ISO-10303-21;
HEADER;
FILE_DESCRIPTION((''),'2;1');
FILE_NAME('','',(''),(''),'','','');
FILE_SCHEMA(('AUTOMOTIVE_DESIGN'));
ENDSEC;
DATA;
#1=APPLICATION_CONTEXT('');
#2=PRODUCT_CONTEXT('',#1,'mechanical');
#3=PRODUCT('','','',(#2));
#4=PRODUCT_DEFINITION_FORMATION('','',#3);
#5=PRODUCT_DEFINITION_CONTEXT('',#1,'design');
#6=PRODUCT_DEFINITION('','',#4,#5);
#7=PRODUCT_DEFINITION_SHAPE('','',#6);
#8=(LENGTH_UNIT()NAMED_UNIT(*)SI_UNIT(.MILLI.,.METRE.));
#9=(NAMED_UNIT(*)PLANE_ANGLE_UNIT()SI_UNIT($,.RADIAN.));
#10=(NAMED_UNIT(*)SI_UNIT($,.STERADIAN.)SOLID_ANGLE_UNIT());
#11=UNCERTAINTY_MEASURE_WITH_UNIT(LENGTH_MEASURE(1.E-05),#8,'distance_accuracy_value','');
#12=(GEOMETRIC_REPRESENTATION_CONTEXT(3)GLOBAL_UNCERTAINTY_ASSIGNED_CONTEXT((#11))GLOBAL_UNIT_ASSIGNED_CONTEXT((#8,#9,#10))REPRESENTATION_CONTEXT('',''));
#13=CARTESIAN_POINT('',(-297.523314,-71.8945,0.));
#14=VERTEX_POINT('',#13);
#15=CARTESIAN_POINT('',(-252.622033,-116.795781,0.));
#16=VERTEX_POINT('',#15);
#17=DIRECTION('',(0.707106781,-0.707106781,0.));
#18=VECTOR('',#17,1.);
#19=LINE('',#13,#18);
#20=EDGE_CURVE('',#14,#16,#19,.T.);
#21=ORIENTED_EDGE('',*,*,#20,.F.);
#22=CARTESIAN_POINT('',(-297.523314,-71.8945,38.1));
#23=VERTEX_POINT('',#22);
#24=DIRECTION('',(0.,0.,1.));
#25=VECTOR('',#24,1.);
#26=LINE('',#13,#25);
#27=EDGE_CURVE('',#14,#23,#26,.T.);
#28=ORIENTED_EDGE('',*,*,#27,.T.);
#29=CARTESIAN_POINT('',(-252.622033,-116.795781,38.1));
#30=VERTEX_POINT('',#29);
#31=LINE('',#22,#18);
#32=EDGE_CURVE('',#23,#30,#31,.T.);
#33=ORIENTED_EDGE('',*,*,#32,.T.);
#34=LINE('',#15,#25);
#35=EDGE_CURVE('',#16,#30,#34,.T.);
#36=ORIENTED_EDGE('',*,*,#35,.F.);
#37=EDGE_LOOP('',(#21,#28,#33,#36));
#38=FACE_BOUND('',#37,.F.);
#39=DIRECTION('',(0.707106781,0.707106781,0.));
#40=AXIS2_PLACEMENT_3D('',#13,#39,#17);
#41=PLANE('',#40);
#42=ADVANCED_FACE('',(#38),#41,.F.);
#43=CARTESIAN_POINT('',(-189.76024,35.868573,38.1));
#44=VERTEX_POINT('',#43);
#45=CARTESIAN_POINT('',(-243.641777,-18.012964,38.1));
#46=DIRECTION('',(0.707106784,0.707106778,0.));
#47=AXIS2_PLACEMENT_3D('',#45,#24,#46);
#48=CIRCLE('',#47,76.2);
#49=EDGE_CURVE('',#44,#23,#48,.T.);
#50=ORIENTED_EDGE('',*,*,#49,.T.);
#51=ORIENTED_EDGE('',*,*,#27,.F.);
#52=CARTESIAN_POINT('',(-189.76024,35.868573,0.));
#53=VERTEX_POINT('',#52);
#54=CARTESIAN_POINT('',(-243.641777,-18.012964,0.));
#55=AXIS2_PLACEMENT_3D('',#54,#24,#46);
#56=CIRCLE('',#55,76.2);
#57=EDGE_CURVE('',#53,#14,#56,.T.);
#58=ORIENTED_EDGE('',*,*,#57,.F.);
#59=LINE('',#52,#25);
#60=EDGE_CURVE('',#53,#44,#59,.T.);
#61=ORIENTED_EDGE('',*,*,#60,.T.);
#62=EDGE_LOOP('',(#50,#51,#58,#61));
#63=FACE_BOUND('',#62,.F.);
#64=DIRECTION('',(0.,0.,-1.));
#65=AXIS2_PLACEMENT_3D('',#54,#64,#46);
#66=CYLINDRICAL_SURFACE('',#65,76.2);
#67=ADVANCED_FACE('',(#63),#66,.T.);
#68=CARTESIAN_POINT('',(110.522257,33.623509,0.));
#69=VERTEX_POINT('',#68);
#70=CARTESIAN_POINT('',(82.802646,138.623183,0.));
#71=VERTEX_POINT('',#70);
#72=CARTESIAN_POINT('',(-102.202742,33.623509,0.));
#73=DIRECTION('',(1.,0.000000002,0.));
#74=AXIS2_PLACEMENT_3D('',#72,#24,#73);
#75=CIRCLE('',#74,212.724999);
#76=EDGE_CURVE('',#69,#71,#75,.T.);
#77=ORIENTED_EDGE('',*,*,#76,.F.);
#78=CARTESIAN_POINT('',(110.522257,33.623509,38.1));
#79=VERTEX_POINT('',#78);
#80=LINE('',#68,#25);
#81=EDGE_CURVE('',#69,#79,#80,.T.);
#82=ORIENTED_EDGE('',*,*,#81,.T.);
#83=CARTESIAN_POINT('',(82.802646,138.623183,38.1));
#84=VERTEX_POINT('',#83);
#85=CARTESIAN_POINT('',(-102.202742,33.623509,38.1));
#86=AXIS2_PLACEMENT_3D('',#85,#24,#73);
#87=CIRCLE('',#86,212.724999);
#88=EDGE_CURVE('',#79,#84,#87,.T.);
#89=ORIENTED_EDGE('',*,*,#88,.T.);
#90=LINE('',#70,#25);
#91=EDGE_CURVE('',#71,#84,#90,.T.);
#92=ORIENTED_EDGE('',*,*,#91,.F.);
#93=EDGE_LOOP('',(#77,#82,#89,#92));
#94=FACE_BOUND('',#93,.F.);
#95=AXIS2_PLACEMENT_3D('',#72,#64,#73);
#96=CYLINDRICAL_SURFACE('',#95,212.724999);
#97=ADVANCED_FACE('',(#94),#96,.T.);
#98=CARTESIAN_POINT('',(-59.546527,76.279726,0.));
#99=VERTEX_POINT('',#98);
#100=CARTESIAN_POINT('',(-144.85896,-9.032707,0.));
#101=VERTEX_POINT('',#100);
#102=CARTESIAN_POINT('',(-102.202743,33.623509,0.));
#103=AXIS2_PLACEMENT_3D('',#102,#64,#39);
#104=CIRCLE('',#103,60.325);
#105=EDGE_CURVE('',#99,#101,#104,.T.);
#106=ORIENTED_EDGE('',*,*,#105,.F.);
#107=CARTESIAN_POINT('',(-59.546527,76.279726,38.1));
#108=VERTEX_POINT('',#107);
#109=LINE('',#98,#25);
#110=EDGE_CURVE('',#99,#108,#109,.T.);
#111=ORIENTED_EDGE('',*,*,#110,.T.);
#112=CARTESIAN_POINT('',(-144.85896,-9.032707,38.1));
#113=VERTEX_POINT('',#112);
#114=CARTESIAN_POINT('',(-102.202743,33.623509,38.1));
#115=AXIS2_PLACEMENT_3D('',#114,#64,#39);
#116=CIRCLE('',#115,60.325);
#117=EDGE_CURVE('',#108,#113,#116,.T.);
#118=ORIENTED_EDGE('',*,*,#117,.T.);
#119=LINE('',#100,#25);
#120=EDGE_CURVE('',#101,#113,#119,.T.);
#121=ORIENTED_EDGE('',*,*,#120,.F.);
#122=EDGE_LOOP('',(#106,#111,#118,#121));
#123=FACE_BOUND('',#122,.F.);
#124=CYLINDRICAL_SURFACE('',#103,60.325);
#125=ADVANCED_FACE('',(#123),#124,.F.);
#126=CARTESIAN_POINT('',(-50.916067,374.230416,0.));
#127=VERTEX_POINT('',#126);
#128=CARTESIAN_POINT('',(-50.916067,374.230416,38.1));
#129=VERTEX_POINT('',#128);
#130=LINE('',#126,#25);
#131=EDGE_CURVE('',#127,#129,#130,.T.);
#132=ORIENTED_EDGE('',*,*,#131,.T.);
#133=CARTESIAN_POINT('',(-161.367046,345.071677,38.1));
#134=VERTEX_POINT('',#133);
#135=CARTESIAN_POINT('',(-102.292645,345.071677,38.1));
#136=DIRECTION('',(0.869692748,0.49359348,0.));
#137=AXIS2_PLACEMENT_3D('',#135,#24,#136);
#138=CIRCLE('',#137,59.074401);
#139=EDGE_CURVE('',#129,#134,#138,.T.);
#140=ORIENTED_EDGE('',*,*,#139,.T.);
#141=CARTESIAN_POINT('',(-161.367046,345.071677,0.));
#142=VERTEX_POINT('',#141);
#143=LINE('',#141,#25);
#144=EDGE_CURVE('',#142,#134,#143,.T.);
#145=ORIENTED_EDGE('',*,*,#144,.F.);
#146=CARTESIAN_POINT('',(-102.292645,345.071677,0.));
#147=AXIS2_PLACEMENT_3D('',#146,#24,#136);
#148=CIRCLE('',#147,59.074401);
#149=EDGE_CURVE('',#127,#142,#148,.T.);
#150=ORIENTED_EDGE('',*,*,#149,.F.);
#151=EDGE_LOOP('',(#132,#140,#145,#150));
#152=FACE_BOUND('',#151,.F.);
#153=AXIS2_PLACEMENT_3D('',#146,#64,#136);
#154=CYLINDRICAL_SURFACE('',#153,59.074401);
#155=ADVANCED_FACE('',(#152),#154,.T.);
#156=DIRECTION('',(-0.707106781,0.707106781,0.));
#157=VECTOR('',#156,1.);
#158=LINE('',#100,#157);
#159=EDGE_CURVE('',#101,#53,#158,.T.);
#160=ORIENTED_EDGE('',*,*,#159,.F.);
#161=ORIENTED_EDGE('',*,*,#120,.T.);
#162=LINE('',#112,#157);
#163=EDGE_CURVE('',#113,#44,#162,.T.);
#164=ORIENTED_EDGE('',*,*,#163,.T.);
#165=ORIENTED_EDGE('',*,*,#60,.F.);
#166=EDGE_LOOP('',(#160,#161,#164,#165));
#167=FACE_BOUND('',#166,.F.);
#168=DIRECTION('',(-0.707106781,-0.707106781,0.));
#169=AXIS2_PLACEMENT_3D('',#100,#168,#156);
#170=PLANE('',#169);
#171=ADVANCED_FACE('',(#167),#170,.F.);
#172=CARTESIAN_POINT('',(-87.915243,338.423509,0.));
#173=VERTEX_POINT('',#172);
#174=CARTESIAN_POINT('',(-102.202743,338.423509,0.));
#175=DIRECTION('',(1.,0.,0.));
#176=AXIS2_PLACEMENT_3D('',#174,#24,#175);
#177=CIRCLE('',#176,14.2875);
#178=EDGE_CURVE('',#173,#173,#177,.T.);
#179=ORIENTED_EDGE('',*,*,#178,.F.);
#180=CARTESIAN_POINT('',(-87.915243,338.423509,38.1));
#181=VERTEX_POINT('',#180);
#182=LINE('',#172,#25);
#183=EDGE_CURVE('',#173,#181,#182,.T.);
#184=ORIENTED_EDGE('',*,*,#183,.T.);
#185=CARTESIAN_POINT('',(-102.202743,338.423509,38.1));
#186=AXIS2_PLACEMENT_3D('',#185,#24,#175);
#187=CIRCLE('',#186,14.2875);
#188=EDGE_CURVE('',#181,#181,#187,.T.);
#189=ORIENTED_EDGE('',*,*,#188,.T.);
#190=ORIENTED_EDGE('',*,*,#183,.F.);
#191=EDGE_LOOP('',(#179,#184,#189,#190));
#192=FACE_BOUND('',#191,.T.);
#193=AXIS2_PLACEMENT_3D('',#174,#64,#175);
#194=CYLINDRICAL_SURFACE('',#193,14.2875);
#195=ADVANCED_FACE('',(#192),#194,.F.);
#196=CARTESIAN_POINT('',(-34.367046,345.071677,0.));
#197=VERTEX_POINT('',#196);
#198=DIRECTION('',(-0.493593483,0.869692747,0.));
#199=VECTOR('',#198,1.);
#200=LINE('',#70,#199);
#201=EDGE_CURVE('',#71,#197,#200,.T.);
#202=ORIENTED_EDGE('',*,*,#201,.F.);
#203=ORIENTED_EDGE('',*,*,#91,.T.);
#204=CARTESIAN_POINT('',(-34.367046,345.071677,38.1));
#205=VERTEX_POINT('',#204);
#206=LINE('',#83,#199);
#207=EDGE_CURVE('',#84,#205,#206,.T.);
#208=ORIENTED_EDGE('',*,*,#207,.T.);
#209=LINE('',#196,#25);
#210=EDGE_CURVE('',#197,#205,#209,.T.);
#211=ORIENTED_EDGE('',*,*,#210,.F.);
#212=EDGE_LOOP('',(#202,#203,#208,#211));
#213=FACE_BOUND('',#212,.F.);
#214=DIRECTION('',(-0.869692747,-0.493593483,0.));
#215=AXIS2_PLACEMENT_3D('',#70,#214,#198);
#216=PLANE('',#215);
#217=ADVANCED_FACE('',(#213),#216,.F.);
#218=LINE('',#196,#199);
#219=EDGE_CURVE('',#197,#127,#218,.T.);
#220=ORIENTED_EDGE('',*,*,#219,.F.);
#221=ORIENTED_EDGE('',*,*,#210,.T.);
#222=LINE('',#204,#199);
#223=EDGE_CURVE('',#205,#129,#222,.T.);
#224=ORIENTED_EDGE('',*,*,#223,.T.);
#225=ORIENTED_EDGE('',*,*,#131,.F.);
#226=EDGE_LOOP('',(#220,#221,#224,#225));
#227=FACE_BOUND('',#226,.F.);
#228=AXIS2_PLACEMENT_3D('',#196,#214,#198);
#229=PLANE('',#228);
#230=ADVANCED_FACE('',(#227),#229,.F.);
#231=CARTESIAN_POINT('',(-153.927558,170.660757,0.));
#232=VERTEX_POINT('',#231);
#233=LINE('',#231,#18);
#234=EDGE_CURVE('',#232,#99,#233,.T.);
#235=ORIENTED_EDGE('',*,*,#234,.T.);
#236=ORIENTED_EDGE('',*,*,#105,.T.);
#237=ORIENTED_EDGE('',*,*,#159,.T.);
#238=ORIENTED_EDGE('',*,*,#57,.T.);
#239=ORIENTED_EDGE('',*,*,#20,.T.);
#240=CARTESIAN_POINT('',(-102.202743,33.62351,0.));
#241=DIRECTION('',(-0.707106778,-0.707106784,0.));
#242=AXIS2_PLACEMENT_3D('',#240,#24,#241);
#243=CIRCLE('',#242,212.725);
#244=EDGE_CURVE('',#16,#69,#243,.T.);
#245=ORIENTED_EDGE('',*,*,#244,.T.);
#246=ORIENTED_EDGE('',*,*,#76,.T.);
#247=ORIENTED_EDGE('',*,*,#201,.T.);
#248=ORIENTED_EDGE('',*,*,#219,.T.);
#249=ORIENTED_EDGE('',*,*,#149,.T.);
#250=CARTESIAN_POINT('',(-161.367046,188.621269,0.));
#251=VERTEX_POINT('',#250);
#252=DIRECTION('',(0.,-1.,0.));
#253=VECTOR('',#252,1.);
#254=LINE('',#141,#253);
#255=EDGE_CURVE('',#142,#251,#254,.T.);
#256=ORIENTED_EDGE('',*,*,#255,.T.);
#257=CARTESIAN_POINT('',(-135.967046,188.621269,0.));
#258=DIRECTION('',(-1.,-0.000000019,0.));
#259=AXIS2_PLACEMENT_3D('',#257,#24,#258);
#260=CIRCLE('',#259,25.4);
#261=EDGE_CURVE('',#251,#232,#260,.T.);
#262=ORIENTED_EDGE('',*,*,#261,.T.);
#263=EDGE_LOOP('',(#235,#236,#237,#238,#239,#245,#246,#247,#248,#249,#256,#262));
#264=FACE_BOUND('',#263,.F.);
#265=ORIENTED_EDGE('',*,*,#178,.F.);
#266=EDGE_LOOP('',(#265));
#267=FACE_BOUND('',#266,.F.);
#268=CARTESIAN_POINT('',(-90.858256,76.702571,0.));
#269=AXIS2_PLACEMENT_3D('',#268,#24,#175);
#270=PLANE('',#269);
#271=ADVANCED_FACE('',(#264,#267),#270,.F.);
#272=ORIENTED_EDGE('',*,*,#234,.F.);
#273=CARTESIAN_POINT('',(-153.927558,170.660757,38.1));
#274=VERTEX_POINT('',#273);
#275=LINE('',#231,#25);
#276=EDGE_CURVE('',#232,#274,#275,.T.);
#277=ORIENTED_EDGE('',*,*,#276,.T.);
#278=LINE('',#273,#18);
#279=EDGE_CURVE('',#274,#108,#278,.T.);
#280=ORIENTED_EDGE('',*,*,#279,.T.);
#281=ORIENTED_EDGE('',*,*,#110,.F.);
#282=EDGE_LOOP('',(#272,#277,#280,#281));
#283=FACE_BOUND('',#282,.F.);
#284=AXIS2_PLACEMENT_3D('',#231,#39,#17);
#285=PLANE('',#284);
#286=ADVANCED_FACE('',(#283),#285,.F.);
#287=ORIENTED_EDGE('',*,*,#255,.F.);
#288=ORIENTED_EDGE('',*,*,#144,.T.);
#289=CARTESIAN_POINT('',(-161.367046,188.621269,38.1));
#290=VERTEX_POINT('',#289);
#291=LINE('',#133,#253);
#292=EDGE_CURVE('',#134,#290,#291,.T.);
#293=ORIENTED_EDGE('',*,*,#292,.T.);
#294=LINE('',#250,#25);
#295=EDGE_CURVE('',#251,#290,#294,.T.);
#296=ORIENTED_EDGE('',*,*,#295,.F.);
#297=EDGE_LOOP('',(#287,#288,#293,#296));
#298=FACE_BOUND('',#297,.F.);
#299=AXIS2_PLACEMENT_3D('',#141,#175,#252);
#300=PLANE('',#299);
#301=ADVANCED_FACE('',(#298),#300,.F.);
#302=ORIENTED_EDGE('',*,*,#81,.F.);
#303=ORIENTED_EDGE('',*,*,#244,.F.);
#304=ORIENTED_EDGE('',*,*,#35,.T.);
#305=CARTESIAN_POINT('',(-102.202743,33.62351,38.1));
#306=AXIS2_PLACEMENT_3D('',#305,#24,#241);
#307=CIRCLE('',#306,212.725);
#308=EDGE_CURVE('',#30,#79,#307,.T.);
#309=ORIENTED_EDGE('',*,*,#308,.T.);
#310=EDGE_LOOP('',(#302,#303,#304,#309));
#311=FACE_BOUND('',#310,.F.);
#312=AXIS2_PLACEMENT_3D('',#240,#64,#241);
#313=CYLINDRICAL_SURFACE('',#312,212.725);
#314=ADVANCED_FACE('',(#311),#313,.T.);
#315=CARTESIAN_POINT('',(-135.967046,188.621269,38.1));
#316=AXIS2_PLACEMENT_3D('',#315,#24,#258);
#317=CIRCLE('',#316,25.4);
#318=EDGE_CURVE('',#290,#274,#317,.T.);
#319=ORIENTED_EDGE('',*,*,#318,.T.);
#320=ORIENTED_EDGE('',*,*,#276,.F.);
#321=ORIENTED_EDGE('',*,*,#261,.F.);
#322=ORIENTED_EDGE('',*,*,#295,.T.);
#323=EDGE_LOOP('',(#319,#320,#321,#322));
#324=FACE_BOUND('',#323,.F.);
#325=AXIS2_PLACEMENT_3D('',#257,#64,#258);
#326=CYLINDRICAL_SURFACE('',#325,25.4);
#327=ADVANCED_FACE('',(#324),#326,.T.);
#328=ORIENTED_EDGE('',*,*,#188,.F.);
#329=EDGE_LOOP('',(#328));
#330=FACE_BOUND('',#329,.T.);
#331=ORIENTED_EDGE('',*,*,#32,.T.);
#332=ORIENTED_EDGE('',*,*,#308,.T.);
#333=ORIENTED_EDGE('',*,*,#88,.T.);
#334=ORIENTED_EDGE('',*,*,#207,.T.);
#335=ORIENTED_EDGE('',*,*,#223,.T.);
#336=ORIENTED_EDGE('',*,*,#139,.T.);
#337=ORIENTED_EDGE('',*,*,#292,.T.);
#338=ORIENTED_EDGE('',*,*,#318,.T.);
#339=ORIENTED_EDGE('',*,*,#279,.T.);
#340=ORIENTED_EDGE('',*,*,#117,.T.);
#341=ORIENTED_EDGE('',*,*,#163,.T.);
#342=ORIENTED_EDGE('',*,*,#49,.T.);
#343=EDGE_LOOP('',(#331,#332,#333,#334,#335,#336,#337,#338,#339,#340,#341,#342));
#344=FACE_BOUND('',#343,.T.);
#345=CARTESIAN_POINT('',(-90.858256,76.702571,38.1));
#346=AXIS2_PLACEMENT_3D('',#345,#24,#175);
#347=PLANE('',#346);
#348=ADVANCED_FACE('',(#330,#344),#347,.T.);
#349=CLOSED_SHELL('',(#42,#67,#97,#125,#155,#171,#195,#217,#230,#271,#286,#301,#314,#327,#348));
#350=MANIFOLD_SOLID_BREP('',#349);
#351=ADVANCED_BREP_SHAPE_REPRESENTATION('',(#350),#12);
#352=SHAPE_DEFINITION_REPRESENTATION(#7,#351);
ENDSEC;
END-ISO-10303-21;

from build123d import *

# Parameters (mm, degrees)
F0_R     = 14.2875
F1_DEPTH = 38.1


with BuildPart() as f1:
    # F0 (on Top) → F1 (new body)
    with BuildSketch(Plane.XY):
        with BuildLine():
            ThreePointArc((-59.546527, 76.279726), (-59.546527, -9.032707), (-144.85896, -9.032707))
            Line((-144.85896, -9.032707), (-189.76024, 35.868573))
            ThreePointArc((-189.76024, 35.868573), (-297.523314, 35.868573), (-297.523314, -71.8945))
            Line((-297.523314, -71.8945), (-252.622033, -116.795781))
            ThreePointArc((-252.622033, -116.795781), (-20.79641, -162.908764), (110.522257, 33.623509))
            ThreePointArc((110.522257, 33.623509), (103.475643, 87.922009), (82.802646, 138.623183))
            Line((82.802646, 138.623183), (-34.367046, 345.071677))
            Line((-34.367046, 345.071677), (-50.916067, 374.230416))
            ThreePointArc((-50.916067, 374.230416), (-117.371509, 402.189211), (-161.367046, 345.071677))
            Line((-161.367046, 345.071677), (-161.367046, 277.521269))
            Line((-161.367046, 277.521269), (-161.367046, 188.621269))
            ThreePointArc((-161.367046, 188.621269), (-159.433586, 178.90111), (-153.927558, 170.660757))
            Line((-153.927558, 170.660757), (-104.447807, 121.181006))
            Line((-104.447807, 121.181006), (-59.546527, 76.279726))
        make_face()
        with Locations((-102.202743, 338.423509)):
            Circle(F0_R, mode=Mode.SUBTRACT)
    extrude(amount=F1_DEPTH)


solid = f1.part
